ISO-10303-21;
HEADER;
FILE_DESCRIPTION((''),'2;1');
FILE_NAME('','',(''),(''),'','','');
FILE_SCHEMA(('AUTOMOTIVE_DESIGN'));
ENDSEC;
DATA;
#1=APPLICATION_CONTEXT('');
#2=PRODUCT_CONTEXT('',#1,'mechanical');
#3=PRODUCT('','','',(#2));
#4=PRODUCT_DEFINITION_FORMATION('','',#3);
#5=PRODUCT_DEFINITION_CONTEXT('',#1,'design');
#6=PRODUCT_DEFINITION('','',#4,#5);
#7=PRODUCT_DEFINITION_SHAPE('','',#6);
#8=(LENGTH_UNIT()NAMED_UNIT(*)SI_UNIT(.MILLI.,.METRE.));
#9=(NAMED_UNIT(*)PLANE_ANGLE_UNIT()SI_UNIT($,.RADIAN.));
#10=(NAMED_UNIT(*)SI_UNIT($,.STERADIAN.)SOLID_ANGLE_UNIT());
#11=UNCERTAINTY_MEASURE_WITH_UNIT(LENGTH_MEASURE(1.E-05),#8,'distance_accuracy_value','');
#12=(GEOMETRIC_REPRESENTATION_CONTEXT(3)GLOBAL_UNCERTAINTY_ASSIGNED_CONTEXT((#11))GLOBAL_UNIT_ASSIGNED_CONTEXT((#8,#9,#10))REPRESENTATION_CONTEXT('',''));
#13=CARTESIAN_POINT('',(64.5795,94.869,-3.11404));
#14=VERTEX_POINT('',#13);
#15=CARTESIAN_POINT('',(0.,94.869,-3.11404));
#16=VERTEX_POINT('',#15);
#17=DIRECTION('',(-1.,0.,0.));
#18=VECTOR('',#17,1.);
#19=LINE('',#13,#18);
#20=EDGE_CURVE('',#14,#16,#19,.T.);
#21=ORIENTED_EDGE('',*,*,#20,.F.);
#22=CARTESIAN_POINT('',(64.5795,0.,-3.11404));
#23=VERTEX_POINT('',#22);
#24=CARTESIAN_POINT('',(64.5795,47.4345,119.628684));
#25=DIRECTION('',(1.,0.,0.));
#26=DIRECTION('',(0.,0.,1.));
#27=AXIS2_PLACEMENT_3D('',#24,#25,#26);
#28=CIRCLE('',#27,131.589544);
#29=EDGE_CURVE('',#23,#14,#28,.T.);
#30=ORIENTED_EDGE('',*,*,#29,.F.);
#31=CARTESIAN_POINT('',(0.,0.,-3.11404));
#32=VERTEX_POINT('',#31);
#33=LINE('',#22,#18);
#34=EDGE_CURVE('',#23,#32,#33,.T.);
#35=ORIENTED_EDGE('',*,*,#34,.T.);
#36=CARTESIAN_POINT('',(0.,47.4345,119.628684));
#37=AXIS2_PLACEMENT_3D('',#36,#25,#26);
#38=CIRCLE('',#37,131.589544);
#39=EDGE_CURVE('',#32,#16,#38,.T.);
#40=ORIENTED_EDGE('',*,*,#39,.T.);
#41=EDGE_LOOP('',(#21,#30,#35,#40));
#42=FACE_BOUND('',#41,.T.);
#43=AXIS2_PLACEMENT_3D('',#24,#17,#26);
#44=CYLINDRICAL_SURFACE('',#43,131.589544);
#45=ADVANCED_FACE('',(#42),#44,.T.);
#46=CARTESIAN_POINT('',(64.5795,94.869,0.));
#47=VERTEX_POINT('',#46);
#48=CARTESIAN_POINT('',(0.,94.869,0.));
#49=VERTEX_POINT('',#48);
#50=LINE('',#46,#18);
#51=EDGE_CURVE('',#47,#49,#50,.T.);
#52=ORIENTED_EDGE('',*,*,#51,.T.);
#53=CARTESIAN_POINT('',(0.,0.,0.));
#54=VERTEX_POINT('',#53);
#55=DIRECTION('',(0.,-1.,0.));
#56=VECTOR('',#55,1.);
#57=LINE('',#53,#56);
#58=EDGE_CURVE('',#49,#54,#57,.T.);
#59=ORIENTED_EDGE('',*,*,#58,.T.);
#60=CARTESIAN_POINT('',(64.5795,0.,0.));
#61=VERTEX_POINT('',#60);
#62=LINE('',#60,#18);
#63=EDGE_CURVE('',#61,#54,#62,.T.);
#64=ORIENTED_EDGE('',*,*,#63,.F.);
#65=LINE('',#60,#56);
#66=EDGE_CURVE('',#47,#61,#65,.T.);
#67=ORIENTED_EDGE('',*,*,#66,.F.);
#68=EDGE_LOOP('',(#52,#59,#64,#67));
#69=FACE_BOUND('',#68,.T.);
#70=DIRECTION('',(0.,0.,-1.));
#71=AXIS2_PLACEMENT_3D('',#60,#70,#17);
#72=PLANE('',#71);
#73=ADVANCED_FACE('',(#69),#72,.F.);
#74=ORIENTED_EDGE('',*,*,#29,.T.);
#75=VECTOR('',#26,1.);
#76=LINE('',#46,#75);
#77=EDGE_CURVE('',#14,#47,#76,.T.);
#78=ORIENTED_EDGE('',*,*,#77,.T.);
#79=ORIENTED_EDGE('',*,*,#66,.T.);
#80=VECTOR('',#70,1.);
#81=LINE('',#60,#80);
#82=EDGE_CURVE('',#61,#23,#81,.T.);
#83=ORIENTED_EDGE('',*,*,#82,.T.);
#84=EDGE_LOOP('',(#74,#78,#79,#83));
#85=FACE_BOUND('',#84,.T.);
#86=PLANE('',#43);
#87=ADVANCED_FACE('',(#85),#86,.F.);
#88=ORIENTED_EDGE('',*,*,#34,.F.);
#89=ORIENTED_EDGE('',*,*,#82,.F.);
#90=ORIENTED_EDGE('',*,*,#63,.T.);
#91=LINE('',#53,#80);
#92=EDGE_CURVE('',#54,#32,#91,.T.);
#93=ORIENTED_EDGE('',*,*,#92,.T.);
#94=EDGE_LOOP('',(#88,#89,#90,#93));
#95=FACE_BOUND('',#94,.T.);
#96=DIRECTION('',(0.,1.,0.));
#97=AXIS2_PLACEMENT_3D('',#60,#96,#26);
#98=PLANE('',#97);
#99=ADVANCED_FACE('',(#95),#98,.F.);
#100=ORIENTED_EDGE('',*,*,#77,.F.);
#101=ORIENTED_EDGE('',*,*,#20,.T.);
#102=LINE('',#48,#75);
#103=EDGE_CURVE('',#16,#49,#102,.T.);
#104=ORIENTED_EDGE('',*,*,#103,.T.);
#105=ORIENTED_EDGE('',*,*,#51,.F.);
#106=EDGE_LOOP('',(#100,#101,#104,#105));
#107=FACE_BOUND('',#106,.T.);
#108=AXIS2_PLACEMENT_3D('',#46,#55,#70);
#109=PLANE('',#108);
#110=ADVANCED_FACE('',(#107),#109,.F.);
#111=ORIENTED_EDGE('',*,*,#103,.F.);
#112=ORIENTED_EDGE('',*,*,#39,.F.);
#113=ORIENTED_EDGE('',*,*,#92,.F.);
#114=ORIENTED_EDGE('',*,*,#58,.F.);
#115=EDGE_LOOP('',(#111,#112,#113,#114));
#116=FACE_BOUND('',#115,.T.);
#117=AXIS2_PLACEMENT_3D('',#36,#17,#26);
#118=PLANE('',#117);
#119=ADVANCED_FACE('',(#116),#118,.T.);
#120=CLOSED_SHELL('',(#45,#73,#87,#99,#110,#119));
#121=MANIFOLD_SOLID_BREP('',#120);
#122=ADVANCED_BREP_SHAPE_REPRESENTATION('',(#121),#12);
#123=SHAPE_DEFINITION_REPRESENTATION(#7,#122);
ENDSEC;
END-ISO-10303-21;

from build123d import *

# Parameters (mm, degrees)
BOSS_EXTRUDE1_DEPTH = 64.5795


with BuildPart() as part:
    # Sketch1 → Boss-Extrude1 (new body)
    with BuildSketch(Plane(origin=(0, 0, 0), x_dir=(0, 0, -1), z_dir=(1, 0, 0))):
        with BuildLine():
            Line((0, 94.869), (3.11404, 94.869))
            ThreePointArc((3.11404, 94.869), (11.96086, 47.4345), (3.11404, 0))
            Line((3.11404, 0), (0, 0))
            Line((0, 0), (0, 94.869))
        make_face()
    extrude(amount=BOSS_EXTRUDE1_DEPTH)


solid = part.part
